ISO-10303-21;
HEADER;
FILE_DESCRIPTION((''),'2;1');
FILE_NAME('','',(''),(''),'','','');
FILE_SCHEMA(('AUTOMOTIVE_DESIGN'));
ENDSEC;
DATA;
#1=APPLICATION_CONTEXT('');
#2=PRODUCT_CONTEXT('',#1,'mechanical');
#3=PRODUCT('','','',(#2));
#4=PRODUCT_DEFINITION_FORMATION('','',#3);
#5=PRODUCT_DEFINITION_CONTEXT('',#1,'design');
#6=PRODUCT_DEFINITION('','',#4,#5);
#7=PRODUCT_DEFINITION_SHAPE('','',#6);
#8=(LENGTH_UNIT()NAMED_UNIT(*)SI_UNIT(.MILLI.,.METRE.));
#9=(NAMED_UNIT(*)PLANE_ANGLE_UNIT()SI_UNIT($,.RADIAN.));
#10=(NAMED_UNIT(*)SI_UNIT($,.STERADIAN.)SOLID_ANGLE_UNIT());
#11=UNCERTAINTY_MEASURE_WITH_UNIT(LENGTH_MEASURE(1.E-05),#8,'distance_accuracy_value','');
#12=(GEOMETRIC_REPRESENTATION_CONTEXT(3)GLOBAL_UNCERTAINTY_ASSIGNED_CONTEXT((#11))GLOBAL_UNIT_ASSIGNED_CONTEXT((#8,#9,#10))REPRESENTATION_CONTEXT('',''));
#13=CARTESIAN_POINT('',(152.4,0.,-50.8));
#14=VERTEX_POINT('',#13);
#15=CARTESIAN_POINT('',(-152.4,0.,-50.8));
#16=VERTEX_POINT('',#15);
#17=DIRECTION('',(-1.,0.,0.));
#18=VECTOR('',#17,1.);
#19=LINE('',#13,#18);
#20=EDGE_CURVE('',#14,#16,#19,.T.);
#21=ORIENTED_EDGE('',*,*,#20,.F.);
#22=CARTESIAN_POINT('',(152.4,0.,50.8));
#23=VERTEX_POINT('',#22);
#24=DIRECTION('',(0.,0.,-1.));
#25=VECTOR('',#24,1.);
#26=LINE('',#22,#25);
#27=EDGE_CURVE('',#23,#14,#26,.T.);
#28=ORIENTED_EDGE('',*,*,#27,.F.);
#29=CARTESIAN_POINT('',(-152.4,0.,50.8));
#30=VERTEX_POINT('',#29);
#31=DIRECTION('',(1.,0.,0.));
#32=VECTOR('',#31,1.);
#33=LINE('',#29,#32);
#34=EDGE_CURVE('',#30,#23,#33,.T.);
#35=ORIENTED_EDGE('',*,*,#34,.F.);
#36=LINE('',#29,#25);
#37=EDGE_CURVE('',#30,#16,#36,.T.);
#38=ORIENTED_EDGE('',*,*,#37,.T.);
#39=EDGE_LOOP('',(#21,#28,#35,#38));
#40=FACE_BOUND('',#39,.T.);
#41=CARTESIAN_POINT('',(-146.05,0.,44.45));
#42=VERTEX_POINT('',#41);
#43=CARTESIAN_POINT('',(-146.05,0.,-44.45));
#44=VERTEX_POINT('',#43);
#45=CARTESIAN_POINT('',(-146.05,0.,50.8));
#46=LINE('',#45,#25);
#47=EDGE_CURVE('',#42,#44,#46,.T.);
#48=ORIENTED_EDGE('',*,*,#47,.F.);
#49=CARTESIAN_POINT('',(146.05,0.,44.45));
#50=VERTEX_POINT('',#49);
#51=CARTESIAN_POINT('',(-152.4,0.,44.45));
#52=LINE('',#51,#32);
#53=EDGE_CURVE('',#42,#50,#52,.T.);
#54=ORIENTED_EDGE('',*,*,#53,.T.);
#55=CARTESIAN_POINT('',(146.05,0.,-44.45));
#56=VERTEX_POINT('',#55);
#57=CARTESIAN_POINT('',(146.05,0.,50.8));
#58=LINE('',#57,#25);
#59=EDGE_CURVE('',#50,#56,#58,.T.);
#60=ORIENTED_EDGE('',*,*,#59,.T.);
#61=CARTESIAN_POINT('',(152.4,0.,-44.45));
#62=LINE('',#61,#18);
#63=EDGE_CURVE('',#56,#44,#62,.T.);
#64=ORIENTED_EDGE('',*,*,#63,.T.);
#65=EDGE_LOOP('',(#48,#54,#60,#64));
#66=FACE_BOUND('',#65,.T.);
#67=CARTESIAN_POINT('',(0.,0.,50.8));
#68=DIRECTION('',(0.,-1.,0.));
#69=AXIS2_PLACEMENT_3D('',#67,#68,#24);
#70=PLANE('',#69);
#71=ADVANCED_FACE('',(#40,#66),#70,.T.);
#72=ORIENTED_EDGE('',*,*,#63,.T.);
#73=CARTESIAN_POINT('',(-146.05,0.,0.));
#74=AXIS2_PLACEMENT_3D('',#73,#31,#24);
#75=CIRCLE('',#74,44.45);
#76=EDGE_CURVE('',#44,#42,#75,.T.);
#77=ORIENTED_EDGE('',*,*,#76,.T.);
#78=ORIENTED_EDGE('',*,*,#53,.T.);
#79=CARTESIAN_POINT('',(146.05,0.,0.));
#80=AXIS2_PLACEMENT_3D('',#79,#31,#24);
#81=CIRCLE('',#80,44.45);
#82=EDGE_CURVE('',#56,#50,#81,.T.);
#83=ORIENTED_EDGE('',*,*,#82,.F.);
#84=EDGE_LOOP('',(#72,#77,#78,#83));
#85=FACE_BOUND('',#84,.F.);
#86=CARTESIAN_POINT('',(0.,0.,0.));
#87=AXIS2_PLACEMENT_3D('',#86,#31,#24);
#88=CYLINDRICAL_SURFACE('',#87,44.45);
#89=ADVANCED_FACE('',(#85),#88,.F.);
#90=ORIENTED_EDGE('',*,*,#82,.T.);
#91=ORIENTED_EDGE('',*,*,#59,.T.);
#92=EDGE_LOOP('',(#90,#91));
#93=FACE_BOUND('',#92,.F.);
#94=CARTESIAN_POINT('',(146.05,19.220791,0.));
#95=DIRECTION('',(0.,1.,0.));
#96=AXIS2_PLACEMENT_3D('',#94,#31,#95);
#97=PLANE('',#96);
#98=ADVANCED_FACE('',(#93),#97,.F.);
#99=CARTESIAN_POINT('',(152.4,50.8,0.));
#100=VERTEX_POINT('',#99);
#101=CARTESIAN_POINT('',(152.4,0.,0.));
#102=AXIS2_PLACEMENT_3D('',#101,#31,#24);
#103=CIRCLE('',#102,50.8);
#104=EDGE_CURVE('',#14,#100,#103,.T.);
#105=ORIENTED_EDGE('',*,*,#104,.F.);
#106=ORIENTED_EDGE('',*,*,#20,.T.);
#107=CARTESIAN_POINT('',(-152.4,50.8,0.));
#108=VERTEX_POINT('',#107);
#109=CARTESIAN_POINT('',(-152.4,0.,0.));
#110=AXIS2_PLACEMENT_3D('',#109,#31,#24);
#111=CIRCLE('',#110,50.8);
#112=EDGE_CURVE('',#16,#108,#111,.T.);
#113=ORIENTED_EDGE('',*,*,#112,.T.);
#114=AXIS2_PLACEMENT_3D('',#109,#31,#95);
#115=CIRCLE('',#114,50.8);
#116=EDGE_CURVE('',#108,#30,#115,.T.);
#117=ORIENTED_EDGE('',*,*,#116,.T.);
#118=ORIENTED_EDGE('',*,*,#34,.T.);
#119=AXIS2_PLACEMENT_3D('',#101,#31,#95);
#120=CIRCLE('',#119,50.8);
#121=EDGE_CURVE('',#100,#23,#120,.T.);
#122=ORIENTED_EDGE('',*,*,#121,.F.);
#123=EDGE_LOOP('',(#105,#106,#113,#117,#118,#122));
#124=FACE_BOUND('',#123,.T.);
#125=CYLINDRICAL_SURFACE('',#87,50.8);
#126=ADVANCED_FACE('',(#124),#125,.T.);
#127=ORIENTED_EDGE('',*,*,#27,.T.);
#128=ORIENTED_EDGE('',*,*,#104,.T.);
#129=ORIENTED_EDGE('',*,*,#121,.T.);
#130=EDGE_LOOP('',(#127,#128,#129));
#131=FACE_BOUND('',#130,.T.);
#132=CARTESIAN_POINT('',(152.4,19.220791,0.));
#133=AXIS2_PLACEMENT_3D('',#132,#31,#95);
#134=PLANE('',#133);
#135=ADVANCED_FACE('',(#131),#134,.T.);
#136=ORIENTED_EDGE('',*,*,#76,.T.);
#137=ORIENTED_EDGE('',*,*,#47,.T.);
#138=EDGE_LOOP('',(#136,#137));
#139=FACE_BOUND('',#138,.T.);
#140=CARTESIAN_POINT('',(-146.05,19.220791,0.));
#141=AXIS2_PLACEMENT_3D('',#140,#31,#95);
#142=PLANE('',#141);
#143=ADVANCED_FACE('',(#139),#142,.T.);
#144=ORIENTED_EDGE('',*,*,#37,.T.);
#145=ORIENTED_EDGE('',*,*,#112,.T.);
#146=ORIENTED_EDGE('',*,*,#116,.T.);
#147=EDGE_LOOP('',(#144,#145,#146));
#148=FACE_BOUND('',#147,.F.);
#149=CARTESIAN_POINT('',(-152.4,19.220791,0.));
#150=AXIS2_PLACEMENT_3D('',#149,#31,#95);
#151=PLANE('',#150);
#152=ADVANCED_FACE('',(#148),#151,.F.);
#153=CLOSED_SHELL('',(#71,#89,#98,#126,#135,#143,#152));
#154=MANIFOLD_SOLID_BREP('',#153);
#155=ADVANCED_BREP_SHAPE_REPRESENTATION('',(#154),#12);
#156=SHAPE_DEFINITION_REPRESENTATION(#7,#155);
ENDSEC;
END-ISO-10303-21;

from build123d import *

# Parameters (mm, degrees)
F1_DEPTH = 152.4
F2_T     = -6.35


with BuildPart() as f1:
    # F0 (on Right) → F1 (new body, symmetric)
    with BuildSketch(Plane.YZ):
        with BuildLine():
            ThreePointArc((0, -50.8), (35.9210244843, -35.9210244843), (50.8, 0))
            ThreePointArc((50.8, 0), (35.9210244843, 35.9210244843), (0, 50.8))
            Line((0, 50.8), (0, -50.8))
        make_face()
    extrude(amount=F1_DEPTH, both=True)

    # F2
    f2_openings = [f1.faces().sort_by_distance(p)[0] for p in [
        (0, 0, 0),
    ]]
    offset(amount=F2_T, openings=f2_openings)


solid = f1.part
